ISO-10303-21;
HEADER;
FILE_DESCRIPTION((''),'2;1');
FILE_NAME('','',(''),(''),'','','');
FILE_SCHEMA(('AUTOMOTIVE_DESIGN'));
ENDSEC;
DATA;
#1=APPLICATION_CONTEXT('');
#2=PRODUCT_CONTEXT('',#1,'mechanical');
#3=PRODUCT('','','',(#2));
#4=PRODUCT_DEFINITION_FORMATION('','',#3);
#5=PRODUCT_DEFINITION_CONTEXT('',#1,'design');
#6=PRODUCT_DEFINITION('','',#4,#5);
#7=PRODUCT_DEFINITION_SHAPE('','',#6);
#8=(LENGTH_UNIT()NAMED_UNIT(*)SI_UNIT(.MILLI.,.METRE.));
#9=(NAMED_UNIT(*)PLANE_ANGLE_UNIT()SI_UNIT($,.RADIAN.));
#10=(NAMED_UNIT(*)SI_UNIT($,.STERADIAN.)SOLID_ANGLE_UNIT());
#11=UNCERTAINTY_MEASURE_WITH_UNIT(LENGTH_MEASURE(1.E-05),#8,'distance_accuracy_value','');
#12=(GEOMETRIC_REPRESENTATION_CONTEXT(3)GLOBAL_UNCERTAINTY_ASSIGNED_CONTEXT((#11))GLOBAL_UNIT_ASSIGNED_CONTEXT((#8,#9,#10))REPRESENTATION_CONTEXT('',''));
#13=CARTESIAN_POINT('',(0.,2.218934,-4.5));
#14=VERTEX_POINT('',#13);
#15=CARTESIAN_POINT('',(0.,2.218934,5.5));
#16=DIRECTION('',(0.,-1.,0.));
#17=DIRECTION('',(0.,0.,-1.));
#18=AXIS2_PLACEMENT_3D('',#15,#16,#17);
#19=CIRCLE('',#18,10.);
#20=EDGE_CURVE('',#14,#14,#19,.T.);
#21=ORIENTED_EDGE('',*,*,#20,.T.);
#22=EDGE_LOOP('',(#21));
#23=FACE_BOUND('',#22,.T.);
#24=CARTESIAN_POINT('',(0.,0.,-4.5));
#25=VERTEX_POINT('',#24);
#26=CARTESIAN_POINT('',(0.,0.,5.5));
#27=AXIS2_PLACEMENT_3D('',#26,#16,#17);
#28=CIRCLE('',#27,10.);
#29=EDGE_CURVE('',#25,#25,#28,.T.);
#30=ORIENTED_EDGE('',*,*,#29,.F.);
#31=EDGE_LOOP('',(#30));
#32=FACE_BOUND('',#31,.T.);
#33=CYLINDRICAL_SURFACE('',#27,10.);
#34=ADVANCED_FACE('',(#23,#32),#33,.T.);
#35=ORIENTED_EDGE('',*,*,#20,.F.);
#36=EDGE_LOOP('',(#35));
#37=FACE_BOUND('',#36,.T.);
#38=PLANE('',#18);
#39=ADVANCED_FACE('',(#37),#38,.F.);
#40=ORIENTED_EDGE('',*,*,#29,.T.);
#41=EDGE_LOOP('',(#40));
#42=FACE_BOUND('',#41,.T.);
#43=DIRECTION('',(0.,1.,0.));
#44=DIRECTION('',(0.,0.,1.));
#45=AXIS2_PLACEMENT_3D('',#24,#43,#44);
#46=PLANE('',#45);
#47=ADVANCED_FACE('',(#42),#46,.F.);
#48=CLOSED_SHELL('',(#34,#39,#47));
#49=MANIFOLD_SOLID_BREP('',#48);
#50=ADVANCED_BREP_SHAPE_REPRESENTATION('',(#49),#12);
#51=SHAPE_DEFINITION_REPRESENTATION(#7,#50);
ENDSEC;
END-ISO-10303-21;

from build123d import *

# Parameters (mm, degrees)
SKETCH1_W = 10
SKETCH1_H = 2.218934107


with BuildPart() as part:
    # Sketch1 → Revolve-Thin1 (revolve)
    with BuildSketch(Plane(origin=(0, 0, 0), x_dir=(0, 0, -1), z_dir=(1, 0, 0)), mode=Mode.PRIVATE) as revolve_thin1_sk:
        with Locations((-10.5, 1.109467053)):
            Rectangle(SKETCH1_W, SKETCH1_H)
    revolve(revolve_thin1_sk.sketch.rotate(Axis((0, 0, 5.5), (0, 1, 0)), 180), axis=Axis((0, 0, 5.5), (0, 1, 0)))


solid = part.part
